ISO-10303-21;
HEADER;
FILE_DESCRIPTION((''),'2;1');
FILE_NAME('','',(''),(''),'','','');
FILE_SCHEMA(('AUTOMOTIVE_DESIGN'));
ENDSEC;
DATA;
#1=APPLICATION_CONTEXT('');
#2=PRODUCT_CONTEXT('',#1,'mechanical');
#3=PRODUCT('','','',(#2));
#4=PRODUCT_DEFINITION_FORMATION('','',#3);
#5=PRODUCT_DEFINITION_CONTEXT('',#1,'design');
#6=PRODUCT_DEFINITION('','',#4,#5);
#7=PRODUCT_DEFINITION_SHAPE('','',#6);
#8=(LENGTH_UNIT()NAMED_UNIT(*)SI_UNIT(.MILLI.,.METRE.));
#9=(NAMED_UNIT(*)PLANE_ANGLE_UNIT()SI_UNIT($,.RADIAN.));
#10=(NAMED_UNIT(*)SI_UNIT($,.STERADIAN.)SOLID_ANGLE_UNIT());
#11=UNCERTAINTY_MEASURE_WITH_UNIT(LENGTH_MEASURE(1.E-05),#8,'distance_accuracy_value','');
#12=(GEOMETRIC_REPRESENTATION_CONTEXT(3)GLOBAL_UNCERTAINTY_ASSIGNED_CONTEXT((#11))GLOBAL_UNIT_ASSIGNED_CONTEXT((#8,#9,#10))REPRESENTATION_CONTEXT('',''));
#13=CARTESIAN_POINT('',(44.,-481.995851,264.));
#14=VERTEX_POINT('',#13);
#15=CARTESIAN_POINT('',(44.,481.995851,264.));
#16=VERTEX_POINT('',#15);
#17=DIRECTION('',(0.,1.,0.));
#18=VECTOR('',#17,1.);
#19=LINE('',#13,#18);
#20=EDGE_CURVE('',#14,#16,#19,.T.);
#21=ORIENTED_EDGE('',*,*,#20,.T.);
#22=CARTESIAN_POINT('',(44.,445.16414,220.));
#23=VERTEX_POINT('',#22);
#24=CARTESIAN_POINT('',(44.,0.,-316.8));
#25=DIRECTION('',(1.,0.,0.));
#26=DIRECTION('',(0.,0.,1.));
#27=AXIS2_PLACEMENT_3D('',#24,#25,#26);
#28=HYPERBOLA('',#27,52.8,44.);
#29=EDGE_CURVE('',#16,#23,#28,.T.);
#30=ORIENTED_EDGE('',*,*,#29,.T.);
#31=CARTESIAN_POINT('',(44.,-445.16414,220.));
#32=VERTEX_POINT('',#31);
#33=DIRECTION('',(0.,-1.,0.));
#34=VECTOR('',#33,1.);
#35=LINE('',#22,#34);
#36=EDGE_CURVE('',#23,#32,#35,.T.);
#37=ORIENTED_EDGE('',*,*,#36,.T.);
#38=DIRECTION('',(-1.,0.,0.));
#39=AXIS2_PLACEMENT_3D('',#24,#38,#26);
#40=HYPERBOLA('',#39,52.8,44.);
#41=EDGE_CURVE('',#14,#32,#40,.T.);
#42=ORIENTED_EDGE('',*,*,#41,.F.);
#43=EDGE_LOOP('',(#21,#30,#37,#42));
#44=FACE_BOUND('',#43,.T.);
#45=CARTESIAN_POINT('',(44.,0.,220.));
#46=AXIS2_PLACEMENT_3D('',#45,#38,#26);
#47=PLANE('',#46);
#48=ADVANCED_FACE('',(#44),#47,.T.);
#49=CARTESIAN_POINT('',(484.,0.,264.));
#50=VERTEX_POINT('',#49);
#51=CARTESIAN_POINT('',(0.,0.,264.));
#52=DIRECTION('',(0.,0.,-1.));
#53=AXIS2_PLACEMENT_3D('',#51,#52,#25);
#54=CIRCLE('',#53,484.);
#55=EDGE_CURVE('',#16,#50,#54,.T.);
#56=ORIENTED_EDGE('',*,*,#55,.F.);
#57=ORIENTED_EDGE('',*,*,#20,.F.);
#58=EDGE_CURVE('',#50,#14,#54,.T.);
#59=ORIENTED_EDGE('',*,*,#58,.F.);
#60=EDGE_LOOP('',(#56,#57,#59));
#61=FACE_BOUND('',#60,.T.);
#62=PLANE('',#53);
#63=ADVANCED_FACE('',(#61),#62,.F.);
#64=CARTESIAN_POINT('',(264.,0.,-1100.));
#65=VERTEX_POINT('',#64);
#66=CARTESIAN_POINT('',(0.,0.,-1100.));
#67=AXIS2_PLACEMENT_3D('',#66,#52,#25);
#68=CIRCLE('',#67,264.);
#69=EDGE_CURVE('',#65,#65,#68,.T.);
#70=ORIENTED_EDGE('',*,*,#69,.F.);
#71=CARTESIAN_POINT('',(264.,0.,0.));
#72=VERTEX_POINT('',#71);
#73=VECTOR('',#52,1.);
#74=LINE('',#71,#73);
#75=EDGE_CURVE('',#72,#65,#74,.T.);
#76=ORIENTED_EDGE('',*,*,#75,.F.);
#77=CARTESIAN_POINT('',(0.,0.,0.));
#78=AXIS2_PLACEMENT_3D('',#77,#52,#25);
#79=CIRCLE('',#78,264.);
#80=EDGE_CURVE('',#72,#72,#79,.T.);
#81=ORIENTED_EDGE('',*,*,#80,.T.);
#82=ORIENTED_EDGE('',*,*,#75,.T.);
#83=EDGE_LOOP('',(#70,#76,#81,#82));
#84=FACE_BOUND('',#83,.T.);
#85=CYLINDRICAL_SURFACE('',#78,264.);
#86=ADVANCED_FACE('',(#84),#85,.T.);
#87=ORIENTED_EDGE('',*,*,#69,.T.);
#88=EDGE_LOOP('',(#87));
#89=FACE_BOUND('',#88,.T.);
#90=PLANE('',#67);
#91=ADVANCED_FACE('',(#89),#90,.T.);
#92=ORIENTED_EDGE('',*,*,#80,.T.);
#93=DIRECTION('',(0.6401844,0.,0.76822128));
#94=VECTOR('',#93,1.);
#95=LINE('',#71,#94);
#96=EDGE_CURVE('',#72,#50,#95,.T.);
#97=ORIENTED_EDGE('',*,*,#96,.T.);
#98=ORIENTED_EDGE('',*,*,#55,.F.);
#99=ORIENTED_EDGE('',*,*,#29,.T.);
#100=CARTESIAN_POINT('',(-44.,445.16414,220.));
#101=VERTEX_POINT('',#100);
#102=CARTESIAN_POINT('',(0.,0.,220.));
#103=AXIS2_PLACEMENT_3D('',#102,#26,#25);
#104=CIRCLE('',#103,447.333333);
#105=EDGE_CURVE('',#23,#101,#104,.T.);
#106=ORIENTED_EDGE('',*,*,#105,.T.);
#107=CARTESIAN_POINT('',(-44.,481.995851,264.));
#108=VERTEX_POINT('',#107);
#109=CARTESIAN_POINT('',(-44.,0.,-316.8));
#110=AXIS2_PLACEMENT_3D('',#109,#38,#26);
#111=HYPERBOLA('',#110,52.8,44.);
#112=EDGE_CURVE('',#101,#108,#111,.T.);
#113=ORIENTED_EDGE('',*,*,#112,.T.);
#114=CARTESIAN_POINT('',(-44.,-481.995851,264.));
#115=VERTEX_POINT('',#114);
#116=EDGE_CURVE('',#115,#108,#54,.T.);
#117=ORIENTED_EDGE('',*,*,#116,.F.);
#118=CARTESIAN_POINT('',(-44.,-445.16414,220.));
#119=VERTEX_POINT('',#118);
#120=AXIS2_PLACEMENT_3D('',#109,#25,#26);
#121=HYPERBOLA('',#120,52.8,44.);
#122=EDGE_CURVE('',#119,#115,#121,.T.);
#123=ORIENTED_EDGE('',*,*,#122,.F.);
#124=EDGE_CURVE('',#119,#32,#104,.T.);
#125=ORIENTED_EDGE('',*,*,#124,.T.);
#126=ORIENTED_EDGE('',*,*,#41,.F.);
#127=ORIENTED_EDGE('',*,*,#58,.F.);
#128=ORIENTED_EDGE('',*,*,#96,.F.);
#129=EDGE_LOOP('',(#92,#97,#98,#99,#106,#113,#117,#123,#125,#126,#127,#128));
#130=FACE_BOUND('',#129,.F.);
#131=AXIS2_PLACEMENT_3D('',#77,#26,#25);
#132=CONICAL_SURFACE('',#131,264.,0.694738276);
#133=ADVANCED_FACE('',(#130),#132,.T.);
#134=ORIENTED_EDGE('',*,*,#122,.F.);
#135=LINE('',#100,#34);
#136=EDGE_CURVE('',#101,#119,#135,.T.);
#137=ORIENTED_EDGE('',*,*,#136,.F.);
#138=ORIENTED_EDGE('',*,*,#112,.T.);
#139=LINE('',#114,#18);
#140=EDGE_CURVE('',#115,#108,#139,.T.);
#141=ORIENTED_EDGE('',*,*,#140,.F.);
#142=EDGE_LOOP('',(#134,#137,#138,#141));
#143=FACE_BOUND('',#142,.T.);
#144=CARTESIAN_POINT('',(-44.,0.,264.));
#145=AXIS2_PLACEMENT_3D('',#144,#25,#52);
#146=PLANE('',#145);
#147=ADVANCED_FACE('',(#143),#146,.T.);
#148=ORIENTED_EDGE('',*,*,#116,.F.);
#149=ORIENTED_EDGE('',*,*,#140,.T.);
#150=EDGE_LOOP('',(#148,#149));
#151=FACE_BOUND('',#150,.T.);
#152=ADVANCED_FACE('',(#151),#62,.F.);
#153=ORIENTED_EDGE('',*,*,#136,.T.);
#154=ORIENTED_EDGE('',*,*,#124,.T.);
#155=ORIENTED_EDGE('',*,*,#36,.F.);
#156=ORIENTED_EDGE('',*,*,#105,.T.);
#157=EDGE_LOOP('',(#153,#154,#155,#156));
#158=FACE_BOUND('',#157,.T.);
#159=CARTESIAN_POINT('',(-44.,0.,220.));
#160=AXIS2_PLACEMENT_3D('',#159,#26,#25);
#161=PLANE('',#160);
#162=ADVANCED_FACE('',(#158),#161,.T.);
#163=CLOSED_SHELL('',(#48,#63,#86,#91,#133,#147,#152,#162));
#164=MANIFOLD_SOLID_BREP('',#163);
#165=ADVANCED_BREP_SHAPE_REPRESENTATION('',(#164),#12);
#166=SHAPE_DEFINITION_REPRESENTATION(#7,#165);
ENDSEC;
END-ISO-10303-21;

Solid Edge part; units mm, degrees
sketch "Sketch1" plane through (0, 0, 0) normal (0, -1, 0) x (1, 0, 0)
  line L0 (264, 0) -> (264, -1100)
  line L1 (264, -1100) -> (0, -1100)
  line L2 (0, 0) -> (0, -1100)
  line L3 (0, 0) -> (0, 264)
  line L4 (0, 264) -> (484, 264)
  line L5 (264, 0) -> (484, 264)
revolve "RevolvedProtrusion1" add sketch "Sketch1" angle 360 about axis through (0, 0, 0) along (0, 0, -1)
sketch "Sketch2" plane through (0, 0, 0) normal (0, -1, 0) x (1, 0, 0)
  line L0 (-44, 264) -> (-44, 220)
  line L1 (-44, 220) -> (44, 220)
  line L2 (44, 220) -> (44, 264)
  line L3 (44, 264) -> (0, 264)
  line L4 (0, 264) -> (-44, 264)
extrude "Cutout1" cut sketch "Sketch2" along normal up to next and the other way up to next
